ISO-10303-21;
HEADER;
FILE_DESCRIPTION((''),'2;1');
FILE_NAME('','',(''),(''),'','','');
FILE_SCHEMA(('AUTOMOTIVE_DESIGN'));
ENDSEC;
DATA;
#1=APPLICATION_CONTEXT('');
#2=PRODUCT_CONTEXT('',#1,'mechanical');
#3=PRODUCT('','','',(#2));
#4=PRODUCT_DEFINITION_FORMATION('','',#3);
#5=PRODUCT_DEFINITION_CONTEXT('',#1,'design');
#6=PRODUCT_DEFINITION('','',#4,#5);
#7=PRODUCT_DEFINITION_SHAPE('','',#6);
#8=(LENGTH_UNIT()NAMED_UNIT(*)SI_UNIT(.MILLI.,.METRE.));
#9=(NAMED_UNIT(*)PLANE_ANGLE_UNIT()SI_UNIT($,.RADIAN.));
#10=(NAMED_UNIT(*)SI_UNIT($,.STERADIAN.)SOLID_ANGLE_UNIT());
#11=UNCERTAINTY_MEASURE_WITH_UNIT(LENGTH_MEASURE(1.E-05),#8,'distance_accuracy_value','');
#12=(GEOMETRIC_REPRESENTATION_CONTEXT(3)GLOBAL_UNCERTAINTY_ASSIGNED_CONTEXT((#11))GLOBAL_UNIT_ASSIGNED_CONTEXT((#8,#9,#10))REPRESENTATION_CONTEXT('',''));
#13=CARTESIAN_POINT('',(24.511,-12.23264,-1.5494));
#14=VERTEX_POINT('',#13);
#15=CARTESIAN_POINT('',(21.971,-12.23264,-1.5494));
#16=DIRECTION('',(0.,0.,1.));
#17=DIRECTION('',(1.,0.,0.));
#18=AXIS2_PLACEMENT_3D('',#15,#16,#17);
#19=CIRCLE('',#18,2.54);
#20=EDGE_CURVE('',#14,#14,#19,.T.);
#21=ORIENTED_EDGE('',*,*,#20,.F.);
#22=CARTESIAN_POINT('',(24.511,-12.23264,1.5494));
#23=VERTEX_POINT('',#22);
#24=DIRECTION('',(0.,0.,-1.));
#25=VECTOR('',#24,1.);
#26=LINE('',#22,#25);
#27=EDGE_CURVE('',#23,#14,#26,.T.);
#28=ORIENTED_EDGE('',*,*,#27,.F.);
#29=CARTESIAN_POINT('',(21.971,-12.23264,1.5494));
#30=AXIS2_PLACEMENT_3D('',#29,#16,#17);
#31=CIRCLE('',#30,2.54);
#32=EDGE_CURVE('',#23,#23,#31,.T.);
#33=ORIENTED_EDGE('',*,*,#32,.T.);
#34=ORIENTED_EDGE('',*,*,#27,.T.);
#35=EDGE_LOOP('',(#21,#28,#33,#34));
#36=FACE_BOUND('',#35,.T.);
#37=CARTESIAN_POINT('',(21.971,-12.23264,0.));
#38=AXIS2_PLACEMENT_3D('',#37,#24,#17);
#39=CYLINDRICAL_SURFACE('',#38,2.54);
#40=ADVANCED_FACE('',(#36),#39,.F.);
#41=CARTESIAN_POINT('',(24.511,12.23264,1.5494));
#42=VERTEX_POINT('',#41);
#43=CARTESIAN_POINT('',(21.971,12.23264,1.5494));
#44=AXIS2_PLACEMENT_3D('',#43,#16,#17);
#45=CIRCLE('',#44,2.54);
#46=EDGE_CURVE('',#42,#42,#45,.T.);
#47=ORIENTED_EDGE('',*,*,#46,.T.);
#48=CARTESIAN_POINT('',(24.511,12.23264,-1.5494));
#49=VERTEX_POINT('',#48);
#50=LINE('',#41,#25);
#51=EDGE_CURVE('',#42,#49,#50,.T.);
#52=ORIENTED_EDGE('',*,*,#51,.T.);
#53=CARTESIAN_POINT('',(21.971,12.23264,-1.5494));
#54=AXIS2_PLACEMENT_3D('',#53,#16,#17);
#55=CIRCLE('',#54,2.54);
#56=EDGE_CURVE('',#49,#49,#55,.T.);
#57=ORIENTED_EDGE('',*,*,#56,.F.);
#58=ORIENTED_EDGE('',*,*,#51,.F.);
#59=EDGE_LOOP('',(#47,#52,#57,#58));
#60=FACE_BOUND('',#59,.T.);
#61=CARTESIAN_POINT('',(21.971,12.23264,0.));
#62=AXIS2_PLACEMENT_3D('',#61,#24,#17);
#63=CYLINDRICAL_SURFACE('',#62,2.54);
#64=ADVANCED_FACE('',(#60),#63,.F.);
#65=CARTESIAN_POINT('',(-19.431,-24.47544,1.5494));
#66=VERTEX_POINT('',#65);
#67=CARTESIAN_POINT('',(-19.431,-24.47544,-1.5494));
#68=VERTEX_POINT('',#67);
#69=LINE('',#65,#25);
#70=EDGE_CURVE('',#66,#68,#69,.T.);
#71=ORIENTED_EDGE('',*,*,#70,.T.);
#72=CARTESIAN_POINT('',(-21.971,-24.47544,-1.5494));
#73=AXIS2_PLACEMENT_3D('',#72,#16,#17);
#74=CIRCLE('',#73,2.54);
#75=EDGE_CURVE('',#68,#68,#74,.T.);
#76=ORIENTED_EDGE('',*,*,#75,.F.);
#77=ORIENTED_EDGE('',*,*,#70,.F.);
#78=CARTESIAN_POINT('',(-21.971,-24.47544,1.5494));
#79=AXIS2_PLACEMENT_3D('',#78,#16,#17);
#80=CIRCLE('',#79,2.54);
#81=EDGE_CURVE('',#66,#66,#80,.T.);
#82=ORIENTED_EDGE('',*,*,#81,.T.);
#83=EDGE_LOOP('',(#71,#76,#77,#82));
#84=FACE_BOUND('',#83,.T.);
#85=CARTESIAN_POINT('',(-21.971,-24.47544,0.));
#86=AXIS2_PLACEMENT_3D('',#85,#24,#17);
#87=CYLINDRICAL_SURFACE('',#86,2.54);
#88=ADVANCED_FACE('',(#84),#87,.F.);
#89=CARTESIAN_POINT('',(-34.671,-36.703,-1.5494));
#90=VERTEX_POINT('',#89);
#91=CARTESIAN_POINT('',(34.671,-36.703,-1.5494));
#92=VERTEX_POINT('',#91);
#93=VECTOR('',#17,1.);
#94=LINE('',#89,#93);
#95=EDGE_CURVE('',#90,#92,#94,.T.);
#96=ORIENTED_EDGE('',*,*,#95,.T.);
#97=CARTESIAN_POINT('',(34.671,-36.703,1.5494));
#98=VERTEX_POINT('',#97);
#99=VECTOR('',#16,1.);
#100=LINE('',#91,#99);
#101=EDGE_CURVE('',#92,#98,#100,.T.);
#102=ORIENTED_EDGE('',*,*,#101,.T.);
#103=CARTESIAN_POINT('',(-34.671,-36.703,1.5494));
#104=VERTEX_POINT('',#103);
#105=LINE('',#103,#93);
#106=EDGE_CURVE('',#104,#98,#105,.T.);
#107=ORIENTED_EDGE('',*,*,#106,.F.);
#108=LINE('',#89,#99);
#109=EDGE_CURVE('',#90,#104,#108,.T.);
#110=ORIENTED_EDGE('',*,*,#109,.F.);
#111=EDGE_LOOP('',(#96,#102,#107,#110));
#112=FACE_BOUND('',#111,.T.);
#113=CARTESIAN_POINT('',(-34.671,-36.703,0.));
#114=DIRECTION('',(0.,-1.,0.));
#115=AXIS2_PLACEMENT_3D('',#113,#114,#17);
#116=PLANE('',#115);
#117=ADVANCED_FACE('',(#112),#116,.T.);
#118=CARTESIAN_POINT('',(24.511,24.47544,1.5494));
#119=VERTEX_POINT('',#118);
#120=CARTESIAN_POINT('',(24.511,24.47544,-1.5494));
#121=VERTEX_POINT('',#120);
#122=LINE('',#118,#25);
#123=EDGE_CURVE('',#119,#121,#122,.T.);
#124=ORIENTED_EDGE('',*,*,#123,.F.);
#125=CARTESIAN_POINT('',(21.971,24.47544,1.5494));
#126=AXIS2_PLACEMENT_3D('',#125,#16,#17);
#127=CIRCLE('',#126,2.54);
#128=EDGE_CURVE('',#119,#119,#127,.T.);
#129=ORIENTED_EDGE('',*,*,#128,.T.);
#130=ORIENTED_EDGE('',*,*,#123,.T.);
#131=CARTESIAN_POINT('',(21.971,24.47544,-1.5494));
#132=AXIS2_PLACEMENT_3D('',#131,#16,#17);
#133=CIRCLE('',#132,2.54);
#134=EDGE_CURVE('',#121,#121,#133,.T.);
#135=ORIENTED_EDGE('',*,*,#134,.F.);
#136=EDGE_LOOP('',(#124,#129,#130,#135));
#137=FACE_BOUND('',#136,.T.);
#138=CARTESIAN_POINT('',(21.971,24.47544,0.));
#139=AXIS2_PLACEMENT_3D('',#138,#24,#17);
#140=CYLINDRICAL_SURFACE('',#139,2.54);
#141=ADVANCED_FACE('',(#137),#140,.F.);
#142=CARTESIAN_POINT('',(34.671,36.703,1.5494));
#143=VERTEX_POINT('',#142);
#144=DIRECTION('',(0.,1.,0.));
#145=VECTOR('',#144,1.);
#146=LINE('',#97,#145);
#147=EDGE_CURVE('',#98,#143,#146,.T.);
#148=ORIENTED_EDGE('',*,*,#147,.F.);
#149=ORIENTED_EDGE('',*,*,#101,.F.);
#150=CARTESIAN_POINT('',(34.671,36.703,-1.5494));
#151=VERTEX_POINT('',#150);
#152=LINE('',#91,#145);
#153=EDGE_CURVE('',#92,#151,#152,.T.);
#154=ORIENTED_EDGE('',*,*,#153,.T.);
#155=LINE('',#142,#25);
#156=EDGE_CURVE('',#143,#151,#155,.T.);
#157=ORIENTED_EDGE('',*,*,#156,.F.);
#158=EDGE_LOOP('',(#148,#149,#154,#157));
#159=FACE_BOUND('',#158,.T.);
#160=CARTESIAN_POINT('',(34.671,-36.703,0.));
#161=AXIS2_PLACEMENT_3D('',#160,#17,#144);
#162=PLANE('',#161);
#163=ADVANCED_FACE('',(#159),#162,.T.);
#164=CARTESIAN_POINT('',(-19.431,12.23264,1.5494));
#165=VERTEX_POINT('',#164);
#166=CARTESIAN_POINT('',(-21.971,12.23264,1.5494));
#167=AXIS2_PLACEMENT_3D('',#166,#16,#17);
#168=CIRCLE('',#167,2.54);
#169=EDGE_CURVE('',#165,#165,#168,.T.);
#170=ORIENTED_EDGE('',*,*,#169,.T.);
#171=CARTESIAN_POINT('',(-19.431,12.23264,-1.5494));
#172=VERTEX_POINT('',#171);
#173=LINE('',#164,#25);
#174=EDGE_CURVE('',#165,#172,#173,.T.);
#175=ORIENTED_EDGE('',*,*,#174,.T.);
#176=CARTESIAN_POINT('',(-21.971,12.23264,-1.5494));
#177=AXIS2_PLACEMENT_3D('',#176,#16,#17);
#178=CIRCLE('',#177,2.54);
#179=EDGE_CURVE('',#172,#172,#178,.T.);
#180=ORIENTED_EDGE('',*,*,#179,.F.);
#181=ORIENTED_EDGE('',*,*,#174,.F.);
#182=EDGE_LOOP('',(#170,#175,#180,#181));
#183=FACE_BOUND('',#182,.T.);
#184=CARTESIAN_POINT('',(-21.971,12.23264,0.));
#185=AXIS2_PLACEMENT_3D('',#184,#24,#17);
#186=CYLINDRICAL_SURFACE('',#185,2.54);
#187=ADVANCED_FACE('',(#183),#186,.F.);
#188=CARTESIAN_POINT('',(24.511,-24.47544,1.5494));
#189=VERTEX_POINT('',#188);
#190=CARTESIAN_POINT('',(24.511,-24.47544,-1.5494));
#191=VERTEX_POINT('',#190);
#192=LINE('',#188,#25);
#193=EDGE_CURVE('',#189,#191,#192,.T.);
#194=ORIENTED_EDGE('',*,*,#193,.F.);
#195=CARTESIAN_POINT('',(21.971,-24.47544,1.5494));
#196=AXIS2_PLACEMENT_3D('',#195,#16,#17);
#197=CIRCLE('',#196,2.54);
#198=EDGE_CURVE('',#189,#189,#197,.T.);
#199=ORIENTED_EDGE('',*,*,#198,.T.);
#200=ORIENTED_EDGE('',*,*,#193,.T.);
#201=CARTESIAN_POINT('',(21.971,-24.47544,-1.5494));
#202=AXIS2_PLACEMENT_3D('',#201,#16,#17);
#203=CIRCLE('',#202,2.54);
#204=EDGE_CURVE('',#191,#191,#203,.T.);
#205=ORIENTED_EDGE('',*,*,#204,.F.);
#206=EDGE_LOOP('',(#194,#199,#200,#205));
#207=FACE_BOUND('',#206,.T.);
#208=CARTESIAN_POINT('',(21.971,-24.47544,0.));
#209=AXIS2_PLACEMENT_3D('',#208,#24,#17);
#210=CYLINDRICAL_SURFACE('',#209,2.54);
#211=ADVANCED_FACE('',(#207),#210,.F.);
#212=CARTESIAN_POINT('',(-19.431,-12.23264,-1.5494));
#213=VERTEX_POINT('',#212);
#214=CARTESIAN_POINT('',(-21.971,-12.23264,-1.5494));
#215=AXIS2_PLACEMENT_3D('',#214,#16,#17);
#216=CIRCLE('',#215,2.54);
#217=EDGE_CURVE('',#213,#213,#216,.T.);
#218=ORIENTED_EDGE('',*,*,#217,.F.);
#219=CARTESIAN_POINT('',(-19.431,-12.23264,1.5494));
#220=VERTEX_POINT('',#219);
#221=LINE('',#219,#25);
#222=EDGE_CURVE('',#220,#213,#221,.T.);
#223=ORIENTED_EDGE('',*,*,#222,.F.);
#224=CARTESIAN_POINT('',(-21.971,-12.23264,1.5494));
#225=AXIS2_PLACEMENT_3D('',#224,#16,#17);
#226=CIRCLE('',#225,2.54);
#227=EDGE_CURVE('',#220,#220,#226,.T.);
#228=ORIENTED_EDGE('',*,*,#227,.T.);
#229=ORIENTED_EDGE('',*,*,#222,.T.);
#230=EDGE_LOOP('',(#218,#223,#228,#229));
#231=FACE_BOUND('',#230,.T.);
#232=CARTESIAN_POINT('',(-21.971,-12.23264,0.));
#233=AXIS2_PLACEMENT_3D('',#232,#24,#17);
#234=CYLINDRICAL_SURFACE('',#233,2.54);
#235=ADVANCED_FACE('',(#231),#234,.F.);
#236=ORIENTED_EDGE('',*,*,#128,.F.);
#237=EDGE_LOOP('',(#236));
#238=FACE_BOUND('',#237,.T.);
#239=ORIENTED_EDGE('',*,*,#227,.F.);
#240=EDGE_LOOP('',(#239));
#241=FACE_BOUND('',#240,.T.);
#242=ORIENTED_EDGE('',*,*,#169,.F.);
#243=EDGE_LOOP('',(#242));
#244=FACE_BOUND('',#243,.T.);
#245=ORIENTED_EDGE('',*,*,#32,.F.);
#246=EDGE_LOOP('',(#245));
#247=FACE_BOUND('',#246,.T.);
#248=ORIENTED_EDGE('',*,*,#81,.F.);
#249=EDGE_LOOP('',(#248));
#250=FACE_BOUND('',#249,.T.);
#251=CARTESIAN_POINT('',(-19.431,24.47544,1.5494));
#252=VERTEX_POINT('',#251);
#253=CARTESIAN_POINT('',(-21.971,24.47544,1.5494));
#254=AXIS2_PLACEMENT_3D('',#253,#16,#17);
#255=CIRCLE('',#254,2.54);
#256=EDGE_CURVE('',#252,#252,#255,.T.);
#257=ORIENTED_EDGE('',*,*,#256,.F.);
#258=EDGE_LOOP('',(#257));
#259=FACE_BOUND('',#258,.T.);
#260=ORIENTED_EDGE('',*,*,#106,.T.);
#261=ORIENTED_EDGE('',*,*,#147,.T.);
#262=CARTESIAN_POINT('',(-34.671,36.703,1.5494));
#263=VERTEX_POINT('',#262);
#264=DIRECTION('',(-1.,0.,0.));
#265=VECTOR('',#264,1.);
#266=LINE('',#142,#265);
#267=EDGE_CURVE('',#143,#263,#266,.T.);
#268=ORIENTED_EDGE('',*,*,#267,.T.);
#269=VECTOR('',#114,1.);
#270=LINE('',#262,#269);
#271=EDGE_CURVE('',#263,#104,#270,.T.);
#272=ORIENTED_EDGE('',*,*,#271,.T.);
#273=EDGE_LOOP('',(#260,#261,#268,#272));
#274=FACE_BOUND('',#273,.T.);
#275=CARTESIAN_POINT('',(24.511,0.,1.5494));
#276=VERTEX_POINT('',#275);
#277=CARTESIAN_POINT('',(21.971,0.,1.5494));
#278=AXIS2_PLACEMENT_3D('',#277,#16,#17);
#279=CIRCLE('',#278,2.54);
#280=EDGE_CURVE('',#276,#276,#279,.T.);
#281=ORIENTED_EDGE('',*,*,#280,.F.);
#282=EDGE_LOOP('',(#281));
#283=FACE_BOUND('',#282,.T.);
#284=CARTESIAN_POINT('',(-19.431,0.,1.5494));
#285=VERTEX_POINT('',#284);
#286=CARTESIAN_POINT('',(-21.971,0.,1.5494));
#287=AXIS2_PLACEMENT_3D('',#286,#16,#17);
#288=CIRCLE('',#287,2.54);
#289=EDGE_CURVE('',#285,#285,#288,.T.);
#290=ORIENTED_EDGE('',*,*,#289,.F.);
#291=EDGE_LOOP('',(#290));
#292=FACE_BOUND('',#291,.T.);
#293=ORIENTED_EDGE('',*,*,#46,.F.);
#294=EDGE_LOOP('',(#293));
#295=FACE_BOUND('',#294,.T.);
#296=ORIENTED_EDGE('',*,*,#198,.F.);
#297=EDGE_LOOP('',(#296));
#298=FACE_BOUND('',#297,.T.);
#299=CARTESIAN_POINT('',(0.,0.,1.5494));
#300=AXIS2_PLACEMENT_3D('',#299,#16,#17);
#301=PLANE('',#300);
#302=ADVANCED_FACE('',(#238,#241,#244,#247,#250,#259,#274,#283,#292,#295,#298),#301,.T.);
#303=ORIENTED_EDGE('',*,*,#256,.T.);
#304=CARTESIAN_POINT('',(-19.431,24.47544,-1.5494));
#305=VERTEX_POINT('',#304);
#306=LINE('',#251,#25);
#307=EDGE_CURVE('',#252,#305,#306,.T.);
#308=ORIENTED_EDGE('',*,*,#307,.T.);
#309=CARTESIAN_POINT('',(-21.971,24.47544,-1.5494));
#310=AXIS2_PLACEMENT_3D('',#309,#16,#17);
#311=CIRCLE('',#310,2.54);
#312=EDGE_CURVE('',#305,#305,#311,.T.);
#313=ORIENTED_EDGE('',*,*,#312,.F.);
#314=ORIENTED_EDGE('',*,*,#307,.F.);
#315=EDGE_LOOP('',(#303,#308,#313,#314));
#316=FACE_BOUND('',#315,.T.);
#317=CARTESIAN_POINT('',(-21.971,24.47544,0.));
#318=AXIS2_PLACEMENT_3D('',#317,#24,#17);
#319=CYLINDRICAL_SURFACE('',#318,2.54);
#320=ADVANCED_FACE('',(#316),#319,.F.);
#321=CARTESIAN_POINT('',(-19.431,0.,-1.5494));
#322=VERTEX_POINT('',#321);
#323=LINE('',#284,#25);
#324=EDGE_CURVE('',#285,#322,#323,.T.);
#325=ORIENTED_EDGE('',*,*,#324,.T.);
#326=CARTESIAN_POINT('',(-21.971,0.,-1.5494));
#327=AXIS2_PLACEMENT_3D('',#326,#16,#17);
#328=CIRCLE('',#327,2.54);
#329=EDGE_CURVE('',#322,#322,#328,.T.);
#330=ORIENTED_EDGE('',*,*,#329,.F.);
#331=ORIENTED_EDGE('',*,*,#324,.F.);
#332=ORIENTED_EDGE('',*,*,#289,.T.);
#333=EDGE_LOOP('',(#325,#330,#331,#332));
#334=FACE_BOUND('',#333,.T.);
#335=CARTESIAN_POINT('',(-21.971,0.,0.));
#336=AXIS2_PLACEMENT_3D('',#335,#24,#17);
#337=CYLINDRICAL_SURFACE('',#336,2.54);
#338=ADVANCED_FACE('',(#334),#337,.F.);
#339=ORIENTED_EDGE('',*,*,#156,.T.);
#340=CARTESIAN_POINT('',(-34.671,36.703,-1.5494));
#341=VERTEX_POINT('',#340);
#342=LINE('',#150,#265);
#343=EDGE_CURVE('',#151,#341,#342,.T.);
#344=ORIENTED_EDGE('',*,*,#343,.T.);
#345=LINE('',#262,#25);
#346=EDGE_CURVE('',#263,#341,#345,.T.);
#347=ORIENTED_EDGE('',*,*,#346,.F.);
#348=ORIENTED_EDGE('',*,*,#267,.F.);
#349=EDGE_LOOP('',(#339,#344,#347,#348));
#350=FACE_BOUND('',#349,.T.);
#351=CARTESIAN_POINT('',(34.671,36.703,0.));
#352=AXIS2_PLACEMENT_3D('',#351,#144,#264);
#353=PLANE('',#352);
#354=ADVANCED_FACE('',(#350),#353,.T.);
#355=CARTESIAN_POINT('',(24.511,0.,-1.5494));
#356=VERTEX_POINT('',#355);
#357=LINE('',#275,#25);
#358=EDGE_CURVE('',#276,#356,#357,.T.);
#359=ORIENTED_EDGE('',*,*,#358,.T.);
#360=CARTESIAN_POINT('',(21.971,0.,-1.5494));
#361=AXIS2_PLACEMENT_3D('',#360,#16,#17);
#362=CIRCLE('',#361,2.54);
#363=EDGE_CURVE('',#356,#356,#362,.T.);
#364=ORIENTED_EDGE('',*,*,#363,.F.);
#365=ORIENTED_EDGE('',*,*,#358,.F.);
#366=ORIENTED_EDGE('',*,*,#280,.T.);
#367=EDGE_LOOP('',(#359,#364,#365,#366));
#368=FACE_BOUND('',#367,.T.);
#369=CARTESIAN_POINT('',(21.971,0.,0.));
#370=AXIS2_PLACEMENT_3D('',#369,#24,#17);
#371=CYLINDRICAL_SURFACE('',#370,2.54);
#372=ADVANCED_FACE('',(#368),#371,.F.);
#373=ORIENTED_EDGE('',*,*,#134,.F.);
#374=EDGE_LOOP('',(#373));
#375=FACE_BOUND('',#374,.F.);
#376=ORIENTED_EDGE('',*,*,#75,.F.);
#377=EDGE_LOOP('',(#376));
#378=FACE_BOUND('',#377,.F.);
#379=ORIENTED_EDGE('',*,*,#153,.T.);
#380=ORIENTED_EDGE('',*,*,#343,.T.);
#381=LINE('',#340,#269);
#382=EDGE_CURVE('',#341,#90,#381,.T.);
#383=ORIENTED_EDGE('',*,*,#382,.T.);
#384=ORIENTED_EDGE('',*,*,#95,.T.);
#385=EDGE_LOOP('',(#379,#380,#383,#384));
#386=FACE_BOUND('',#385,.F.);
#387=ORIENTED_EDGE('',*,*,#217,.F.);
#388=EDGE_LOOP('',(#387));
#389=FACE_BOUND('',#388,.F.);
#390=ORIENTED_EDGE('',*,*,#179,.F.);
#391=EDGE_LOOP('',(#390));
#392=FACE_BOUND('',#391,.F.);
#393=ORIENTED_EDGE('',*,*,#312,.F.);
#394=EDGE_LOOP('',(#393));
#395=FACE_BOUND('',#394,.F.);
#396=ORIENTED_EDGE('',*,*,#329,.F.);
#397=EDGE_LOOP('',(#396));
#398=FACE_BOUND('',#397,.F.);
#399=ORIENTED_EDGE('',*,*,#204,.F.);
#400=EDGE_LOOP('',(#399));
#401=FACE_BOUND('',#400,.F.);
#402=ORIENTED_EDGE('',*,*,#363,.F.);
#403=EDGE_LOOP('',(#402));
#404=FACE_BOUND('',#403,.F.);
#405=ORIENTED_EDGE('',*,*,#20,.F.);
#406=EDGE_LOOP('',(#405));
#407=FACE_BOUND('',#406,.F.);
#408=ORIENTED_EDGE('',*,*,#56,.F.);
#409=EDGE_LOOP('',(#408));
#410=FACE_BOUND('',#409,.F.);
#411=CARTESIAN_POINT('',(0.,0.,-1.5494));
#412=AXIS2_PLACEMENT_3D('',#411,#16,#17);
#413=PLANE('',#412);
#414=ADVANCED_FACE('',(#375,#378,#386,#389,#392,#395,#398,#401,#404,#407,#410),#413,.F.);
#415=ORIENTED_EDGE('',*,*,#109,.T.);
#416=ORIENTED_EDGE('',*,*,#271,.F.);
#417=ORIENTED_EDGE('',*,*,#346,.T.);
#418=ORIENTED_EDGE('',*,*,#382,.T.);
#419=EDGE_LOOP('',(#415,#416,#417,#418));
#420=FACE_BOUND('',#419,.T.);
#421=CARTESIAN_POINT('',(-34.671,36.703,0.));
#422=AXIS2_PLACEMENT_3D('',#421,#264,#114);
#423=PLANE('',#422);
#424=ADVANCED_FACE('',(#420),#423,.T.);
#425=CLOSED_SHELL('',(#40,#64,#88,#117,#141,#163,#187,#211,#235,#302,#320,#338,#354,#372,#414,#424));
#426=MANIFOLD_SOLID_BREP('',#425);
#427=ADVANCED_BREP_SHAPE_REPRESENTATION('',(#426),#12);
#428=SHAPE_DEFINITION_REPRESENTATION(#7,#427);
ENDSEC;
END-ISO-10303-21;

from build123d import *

# Parameters (mm, degrees)
F0_R     = 2.54
F1_DEPTH = 1.5494


with BuildPart() as f1:
    # F0 (on Top) → F1 (new body, symmetric)
    with BuildSketch(Plane.XY):
        Polygon((-21.901621, 36.703), (-34.671, 36.703), (-34.671, -36.703), (-3.244379, -36.703), (-3.175, -36.703), (21.901621, -36.703), (34.671, -36.703), (34.671, 36.703), (3.175, 36.703), (-3.175, 36.703), align=None)
        with Locations((-21.971, -24.47544)):
            Circle(F0_R, mode=Mode.SUBTRACT)
        with Locations((-21.971, -12.23264)):
            Circle(F0_R, mode=Mode.SUBTRACT)
        with Locations((21.971, -24.47544)):
            Circle(F0_R, mode=Mode.SUBTRACT)
        with Locations((21.971, -12.23264)):
            Circle(F0_R, mode=Mode.SUBTRACT)
        with Locations((-21.971, 0)):
            Circle(F0_R, mode=Mode.SUBTRACT)
        with Locations((-21.971, 12.23264)):
            Circle(F0_R, mode=Mode.SUBTRACT)
        with Locations((-21.971, 24.47544)):
            Circle(F0_R, mode=Mode.SUBTRACT)
        with Locations((21.971, 0)):
            Circle(F0_R, mode=Mode.SUBTRACT)
        with Locations((21.971, 12.23264)):
            Circle(F0_R, mode=Mode.SUBTRACT)
        with Locations((21.971, 24.47544)):
            Circle(F0_R, mode=Mode.SUBTRACT)
    extrude(amount=F1_DEPTH, both=True)


solid = f1.part
